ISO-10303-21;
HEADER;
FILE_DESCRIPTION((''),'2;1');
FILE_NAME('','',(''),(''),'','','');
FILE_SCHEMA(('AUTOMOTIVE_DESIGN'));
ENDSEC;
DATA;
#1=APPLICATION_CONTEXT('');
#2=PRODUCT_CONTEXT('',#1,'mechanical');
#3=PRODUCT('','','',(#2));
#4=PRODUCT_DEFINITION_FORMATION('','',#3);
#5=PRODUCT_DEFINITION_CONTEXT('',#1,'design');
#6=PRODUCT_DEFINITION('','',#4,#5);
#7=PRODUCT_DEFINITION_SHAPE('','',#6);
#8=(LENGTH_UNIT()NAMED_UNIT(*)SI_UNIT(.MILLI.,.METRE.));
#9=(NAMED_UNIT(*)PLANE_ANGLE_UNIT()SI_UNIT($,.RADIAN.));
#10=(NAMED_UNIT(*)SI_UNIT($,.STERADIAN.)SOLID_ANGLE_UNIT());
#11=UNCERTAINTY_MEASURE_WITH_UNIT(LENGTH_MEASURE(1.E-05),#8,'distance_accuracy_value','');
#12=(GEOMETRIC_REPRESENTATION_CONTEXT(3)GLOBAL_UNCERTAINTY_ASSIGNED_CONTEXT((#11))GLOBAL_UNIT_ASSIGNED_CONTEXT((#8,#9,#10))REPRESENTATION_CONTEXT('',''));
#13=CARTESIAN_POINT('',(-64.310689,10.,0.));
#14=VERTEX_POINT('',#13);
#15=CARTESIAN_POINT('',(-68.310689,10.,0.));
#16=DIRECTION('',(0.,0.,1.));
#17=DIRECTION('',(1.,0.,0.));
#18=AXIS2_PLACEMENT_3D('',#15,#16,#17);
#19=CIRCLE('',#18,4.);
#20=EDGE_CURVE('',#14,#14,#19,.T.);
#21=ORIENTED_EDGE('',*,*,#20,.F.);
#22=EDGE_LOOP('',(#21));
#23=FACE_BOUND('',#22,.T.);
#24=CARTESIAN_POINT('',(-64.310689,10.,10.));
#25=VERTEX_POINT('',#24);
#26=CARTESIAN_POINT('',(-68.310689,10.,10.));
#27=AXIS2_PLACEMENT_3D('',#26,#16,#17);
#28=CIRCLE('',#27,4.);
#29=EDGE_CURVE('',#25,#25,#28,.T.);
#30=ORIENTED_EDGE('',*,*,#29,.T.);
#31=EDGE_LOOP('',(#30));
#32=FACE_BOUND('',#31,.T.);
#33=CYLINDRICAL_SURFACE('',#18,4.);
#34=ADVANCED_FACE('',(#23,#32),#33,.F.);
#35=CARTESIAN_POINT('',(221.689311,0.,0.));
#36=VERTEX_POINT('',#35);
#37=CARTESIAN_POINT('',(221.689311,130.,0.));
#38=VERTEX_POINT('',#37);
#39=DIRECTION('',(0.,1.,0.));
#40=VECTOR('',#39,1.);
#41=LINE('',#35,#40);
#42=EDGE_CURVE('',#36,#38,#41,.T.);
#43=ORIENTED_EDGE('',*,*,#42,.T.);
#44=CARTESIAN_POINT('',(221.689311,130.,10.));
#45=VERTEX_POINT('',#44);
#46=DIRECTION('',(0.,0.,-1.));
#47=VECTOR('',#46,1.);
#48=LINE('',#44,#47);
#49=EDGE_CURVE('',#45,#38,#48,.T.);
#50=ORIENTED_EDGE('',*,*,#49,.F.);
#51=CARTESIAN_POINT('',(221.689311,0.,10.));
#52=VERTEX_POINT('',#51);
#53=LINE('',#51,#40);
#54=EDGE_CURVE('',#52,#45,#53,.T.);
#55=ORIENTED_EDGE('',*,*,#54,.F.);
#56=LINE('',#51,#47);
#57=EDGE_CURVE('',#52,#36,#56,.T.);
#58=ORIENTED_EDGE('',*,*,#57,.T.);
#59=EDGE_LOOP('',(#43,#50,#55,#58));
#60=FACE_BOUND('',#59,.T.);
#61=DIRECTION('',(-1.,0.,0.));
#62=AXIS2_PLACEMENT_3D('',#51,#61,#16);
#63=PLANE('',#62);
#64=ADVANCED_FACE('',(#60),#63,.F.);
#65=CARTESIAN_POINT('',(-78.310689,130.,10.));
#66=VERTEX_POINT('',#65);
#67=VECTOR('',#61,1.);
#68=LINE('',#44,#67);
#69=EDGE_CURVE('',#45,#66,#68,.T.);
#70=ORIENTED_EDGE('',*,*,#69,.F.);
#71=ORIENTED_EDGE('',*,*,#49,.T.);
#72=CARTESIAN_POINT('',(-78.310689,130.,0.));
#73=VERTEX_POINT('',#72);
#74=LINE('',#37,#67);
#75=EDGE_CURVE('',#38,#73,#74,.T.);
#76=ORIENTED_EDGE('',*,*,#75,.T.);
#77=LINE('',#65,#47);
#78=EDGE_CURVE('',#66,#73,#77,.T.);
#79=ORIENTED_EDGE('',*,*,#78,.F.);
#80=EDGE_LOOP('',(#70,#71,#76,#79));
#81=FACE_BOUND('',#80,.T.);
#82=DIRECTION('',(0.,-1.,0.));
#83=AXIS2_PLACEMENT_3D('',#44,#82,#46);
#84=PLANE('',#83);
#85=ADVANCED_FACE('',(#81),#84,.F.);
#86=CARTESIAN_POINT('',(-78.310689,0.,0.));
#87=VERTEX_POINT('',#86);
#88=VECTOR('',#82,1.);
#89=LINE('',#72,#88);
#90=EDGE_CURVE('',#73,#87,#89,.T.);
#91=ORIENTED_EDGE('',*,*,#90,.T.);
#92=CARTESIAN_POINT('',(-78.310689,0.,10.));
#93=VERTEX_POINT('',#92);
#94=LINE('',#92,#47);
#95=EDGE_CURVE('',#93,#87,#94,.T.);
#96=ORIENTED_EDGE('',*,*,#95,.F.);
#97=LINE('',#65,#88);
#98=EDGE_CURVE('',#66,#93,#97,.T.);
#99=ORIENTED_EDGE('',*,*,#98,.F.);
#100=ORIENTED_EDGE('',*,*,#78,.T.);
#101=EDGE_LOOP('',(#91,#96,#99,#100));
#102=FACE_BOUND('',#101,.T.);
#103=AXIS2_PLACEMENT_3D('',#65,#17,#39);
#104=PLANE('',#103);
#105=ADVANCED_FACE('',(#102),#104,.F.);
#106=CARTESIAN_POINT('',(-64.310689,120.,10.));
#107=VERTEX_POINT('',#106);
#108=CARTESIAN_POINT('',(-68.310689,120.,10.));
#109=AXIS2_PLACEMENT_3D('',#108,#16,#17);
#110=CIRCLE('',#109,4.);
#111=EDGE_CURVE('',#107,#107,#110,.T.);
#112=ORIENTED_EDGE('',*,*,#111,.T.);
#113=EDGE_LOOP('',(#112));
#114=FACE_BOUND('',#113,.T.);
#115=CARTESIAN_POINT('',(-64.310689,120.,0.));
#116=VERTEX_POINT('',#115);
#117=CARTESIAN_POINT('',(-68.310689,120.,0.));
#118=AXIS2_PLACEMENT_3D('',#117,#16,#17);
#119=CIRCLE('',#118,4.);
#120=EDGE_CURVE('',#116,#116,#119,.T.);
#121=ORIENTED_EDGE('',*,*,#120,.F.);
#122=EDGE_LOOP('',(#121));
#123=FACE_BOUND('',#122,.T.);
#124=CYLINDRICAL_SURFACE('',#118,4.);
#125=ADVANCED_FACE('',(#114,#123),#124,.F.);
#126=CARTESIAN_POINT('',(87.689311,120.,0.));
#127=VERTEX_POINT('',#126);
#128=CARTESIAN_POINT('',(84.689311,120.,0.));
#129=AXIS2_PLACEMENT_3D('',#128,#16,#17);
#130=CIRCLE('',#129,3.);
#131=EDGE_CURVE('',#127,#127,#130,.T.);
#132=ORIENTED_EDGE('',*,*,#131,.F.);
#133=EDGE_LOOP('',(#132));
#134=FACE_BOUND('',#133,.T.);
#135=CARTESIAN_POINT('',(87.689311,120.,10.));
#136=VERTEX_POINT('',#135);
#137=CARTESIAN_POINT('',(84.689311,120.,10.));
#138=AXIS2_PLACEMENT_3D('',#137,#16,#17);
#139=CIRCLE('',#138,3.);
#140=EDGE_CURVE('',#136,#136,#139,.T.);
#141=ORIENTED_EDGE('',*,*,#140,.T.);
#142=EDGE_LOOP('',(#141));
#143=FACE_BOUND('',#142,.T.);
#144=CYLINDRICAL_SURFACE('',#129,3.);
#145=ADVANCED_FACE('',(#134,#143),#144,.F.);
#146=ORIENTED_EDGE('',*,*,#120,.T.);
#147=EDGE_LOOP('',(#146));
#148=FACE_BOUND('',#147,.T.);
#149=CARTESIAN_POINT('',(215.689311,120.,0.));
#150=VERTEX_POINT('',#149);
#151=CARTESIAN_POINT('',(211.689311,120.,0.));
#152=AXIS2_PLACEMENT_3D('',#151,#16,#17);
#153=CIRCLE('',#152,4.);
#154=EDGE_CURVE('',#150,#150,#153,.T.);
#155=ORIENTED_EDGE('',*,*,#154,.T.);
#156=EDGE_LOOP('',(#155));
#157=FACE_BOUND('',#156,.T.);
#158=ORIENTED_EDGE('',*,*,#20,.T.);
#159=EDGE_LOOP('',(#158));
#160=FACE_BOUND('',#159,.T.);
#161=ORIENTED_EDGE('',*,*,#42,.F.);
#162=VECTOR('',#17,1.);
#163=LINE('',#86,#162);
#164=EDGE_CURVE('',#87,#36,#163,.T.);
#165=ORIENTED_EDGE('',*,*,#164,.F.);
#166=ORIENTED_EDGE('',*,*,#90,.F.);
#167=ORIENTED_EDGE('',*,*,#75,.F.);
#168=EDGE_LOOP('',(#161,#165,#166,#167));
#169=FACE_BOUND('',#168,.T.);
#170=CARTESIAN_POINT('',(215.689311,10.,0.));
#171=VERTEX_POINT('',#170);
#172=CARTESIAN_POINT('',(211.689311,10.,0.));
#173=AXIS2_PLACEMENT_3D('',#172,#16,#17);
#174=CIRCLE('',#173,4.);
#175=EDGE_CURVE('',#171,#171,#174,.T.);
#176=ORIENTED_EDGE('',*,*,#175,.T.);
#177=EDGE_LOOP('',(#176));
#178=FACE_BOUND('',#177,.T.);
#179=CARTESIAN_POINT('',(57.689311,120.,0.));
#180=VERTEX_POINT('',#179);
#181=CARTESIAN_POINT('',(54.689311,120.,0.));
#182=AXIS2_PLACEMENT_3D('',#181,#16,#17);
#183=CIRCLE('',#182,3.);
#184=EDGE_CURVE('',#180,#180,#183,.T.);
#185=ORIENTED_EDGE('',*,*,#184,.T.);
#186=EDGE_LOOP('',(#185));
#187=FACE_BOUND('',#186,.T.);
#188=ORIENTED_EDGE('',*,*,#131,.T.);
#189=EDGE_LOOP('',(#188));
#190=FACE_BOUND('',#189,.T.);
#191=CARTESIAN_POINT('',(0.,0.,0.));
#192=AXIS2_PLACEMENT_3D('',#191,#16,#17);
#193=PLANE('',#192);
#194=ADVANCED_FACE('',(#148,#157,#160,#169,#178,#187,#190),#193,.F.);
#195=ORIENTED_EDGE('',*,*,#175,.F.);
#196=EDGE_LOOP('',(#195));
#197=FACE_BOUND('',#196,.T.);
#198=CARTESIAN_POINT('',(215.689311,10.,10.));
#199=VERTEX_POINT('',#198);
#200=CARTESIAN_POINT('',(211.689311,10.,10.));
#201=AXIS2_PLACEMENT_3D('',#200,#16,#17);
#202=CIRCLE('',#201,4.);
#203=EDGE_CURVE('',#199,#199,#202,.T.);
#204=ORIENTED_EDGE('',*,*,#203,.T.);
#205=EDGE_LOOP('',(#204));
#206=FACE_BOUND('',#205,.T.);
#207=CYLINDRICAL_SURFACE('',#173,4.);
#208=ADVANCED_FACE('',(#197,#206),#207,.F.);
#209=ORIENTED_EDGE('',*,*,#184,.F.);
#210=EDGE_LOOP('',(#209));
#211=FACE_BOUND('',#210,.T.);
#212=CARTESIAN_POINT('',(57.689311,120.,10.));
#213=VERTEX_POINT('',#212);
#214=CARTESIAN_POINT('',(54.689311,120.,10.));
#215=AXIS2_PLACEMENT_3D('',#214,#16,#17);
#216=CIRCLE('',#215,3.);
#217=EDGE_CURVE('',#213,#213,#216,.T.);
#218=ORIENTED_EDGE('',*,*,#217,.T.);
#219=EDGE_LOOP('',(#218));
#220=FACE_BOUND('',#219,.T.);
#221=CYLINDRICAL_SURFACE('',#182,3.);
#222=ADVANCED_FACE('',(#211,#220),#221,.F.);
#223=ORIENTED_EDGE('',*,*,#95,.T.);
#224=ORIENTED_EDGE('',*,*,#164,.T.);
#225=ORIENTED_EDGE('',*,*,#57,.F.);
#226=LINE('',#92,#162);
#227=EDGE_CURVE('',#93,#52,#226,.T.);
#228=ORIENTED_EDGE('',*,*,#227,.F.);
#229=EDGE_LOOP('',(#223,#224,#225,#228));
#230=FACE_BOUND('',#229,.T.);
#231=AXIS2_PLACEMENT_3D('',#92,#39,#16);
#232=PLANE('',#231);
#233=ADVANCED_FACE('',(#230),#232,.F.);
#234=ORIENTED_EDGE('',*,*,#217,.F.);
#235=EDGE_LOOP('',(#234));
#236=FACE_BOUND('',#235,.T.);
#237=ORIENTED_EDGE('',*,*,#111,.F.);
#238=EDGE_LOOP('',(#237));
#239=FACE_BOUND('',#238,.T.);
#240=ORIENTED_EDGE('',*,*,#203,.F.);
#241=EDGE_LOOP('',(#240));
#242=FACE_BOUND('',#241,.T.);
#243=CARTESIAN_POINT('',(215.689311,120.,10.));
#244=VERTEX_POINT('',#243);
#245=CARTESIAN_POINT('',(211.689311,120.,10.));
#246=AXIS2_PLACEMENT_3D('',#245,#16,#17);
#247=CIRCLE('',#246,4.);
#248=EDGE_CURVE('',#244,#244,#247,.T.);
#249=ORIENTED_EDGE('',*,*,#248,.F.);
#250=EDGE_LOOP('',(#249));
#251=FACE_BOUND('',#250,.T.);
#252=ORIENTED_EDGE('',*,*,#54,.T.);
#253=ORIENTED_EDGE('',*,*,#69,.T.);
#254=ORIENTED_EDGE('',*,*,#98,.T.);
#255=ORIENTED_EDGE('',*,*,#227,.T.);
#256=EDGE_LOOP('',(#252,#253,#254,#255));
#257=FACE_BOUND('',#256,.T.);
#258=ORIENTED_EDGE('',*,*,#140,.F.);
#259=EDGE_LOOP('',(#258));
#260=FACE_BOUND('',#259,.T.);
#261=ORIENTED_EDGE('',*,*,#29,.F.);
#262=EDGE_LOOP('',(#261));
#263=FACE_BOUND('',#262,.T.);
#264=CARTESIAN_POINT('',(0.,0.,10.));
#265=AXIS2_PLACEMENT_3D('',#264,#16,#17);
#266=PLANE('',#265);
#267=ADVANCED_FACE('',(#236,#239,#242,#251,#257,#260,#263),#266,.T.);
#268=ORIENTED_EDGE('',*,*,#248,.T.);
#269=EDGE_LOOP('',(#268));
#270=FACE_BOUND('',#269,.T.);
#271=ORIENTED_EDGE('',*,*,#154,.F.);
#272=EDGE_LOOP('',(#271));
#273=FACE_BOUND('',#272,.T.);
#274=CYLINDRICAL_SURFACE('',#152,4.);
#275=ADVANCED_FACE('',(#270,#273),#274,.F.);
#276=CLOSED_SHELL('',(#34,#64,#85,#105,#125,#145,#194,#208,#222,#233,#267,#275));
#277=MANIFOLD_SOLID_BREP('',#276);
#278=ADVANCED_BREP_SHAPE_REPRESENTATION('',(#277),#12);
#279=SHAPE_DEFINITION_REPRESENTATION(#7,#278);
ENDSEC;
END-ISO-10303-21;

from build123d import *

# Parameters (mm, degrees)
ESQUISSE1_W             = 300
ESQUISSE1_H             = 130
BOSS_EXTRU_1_DEPTH      = 10
ESQUISSE2_R             = 4
ENL_V_MAT_EXTRU_1_DEPTH = 258.188939373
ESQUISSE3_R             = 3
ENL_V_MAT_EXTRU_2_DEPTH = 258.188939373


with BuildPart() as part:
    # Esquisse1 → Boss.-Extru.1 (new body)
    with BuildSketch(Plane.XY):
        with Locations((71.689310829, 65)):
            Rectangle(ESQUISSE1_W, ESQUISSE1_H)
    extrude(amount=BOSS_EXTRU_1_DEPTH)

    # Esquisse2 → Enlèv. mat.-Extru.1 (cut, through all)
    with BuildSketch(Plane.XY.offset(10)):
        with Locations((-68.310689171, 120)):
            Circle(ESQUISSE2_R)
        with Locations((-68.310689171, 10)):
            Circle(ESQUISSE2_R)
        with Locations((211.689310829, 10)):
            Circle(ESQUISSE2_R)
        with Locations((211.689310829, 120)):
            Circle(ESQUISSE2_R)
    extrude(amount=-ENL_V_MAT_EXTRU_1_DEPTH, mode=Mode.SUBTRACT)

    # Esquisse3 → Enlèv. mat.-Extru.2 (cut, through all)
    with BuildSketch(Plane.XY.offset(10)):
        with Locations((84.689310829, 120)):
            Circle(ESQUISSE3_R)
        with Locations((54.689310829, 120)):
            Circle(ESQUISSE3_R)
    extrude(amount=-ENL_V_MAT_EXTRU_2_DEPTH, mode=Mode.SUBTRACT)


solid = part.part
